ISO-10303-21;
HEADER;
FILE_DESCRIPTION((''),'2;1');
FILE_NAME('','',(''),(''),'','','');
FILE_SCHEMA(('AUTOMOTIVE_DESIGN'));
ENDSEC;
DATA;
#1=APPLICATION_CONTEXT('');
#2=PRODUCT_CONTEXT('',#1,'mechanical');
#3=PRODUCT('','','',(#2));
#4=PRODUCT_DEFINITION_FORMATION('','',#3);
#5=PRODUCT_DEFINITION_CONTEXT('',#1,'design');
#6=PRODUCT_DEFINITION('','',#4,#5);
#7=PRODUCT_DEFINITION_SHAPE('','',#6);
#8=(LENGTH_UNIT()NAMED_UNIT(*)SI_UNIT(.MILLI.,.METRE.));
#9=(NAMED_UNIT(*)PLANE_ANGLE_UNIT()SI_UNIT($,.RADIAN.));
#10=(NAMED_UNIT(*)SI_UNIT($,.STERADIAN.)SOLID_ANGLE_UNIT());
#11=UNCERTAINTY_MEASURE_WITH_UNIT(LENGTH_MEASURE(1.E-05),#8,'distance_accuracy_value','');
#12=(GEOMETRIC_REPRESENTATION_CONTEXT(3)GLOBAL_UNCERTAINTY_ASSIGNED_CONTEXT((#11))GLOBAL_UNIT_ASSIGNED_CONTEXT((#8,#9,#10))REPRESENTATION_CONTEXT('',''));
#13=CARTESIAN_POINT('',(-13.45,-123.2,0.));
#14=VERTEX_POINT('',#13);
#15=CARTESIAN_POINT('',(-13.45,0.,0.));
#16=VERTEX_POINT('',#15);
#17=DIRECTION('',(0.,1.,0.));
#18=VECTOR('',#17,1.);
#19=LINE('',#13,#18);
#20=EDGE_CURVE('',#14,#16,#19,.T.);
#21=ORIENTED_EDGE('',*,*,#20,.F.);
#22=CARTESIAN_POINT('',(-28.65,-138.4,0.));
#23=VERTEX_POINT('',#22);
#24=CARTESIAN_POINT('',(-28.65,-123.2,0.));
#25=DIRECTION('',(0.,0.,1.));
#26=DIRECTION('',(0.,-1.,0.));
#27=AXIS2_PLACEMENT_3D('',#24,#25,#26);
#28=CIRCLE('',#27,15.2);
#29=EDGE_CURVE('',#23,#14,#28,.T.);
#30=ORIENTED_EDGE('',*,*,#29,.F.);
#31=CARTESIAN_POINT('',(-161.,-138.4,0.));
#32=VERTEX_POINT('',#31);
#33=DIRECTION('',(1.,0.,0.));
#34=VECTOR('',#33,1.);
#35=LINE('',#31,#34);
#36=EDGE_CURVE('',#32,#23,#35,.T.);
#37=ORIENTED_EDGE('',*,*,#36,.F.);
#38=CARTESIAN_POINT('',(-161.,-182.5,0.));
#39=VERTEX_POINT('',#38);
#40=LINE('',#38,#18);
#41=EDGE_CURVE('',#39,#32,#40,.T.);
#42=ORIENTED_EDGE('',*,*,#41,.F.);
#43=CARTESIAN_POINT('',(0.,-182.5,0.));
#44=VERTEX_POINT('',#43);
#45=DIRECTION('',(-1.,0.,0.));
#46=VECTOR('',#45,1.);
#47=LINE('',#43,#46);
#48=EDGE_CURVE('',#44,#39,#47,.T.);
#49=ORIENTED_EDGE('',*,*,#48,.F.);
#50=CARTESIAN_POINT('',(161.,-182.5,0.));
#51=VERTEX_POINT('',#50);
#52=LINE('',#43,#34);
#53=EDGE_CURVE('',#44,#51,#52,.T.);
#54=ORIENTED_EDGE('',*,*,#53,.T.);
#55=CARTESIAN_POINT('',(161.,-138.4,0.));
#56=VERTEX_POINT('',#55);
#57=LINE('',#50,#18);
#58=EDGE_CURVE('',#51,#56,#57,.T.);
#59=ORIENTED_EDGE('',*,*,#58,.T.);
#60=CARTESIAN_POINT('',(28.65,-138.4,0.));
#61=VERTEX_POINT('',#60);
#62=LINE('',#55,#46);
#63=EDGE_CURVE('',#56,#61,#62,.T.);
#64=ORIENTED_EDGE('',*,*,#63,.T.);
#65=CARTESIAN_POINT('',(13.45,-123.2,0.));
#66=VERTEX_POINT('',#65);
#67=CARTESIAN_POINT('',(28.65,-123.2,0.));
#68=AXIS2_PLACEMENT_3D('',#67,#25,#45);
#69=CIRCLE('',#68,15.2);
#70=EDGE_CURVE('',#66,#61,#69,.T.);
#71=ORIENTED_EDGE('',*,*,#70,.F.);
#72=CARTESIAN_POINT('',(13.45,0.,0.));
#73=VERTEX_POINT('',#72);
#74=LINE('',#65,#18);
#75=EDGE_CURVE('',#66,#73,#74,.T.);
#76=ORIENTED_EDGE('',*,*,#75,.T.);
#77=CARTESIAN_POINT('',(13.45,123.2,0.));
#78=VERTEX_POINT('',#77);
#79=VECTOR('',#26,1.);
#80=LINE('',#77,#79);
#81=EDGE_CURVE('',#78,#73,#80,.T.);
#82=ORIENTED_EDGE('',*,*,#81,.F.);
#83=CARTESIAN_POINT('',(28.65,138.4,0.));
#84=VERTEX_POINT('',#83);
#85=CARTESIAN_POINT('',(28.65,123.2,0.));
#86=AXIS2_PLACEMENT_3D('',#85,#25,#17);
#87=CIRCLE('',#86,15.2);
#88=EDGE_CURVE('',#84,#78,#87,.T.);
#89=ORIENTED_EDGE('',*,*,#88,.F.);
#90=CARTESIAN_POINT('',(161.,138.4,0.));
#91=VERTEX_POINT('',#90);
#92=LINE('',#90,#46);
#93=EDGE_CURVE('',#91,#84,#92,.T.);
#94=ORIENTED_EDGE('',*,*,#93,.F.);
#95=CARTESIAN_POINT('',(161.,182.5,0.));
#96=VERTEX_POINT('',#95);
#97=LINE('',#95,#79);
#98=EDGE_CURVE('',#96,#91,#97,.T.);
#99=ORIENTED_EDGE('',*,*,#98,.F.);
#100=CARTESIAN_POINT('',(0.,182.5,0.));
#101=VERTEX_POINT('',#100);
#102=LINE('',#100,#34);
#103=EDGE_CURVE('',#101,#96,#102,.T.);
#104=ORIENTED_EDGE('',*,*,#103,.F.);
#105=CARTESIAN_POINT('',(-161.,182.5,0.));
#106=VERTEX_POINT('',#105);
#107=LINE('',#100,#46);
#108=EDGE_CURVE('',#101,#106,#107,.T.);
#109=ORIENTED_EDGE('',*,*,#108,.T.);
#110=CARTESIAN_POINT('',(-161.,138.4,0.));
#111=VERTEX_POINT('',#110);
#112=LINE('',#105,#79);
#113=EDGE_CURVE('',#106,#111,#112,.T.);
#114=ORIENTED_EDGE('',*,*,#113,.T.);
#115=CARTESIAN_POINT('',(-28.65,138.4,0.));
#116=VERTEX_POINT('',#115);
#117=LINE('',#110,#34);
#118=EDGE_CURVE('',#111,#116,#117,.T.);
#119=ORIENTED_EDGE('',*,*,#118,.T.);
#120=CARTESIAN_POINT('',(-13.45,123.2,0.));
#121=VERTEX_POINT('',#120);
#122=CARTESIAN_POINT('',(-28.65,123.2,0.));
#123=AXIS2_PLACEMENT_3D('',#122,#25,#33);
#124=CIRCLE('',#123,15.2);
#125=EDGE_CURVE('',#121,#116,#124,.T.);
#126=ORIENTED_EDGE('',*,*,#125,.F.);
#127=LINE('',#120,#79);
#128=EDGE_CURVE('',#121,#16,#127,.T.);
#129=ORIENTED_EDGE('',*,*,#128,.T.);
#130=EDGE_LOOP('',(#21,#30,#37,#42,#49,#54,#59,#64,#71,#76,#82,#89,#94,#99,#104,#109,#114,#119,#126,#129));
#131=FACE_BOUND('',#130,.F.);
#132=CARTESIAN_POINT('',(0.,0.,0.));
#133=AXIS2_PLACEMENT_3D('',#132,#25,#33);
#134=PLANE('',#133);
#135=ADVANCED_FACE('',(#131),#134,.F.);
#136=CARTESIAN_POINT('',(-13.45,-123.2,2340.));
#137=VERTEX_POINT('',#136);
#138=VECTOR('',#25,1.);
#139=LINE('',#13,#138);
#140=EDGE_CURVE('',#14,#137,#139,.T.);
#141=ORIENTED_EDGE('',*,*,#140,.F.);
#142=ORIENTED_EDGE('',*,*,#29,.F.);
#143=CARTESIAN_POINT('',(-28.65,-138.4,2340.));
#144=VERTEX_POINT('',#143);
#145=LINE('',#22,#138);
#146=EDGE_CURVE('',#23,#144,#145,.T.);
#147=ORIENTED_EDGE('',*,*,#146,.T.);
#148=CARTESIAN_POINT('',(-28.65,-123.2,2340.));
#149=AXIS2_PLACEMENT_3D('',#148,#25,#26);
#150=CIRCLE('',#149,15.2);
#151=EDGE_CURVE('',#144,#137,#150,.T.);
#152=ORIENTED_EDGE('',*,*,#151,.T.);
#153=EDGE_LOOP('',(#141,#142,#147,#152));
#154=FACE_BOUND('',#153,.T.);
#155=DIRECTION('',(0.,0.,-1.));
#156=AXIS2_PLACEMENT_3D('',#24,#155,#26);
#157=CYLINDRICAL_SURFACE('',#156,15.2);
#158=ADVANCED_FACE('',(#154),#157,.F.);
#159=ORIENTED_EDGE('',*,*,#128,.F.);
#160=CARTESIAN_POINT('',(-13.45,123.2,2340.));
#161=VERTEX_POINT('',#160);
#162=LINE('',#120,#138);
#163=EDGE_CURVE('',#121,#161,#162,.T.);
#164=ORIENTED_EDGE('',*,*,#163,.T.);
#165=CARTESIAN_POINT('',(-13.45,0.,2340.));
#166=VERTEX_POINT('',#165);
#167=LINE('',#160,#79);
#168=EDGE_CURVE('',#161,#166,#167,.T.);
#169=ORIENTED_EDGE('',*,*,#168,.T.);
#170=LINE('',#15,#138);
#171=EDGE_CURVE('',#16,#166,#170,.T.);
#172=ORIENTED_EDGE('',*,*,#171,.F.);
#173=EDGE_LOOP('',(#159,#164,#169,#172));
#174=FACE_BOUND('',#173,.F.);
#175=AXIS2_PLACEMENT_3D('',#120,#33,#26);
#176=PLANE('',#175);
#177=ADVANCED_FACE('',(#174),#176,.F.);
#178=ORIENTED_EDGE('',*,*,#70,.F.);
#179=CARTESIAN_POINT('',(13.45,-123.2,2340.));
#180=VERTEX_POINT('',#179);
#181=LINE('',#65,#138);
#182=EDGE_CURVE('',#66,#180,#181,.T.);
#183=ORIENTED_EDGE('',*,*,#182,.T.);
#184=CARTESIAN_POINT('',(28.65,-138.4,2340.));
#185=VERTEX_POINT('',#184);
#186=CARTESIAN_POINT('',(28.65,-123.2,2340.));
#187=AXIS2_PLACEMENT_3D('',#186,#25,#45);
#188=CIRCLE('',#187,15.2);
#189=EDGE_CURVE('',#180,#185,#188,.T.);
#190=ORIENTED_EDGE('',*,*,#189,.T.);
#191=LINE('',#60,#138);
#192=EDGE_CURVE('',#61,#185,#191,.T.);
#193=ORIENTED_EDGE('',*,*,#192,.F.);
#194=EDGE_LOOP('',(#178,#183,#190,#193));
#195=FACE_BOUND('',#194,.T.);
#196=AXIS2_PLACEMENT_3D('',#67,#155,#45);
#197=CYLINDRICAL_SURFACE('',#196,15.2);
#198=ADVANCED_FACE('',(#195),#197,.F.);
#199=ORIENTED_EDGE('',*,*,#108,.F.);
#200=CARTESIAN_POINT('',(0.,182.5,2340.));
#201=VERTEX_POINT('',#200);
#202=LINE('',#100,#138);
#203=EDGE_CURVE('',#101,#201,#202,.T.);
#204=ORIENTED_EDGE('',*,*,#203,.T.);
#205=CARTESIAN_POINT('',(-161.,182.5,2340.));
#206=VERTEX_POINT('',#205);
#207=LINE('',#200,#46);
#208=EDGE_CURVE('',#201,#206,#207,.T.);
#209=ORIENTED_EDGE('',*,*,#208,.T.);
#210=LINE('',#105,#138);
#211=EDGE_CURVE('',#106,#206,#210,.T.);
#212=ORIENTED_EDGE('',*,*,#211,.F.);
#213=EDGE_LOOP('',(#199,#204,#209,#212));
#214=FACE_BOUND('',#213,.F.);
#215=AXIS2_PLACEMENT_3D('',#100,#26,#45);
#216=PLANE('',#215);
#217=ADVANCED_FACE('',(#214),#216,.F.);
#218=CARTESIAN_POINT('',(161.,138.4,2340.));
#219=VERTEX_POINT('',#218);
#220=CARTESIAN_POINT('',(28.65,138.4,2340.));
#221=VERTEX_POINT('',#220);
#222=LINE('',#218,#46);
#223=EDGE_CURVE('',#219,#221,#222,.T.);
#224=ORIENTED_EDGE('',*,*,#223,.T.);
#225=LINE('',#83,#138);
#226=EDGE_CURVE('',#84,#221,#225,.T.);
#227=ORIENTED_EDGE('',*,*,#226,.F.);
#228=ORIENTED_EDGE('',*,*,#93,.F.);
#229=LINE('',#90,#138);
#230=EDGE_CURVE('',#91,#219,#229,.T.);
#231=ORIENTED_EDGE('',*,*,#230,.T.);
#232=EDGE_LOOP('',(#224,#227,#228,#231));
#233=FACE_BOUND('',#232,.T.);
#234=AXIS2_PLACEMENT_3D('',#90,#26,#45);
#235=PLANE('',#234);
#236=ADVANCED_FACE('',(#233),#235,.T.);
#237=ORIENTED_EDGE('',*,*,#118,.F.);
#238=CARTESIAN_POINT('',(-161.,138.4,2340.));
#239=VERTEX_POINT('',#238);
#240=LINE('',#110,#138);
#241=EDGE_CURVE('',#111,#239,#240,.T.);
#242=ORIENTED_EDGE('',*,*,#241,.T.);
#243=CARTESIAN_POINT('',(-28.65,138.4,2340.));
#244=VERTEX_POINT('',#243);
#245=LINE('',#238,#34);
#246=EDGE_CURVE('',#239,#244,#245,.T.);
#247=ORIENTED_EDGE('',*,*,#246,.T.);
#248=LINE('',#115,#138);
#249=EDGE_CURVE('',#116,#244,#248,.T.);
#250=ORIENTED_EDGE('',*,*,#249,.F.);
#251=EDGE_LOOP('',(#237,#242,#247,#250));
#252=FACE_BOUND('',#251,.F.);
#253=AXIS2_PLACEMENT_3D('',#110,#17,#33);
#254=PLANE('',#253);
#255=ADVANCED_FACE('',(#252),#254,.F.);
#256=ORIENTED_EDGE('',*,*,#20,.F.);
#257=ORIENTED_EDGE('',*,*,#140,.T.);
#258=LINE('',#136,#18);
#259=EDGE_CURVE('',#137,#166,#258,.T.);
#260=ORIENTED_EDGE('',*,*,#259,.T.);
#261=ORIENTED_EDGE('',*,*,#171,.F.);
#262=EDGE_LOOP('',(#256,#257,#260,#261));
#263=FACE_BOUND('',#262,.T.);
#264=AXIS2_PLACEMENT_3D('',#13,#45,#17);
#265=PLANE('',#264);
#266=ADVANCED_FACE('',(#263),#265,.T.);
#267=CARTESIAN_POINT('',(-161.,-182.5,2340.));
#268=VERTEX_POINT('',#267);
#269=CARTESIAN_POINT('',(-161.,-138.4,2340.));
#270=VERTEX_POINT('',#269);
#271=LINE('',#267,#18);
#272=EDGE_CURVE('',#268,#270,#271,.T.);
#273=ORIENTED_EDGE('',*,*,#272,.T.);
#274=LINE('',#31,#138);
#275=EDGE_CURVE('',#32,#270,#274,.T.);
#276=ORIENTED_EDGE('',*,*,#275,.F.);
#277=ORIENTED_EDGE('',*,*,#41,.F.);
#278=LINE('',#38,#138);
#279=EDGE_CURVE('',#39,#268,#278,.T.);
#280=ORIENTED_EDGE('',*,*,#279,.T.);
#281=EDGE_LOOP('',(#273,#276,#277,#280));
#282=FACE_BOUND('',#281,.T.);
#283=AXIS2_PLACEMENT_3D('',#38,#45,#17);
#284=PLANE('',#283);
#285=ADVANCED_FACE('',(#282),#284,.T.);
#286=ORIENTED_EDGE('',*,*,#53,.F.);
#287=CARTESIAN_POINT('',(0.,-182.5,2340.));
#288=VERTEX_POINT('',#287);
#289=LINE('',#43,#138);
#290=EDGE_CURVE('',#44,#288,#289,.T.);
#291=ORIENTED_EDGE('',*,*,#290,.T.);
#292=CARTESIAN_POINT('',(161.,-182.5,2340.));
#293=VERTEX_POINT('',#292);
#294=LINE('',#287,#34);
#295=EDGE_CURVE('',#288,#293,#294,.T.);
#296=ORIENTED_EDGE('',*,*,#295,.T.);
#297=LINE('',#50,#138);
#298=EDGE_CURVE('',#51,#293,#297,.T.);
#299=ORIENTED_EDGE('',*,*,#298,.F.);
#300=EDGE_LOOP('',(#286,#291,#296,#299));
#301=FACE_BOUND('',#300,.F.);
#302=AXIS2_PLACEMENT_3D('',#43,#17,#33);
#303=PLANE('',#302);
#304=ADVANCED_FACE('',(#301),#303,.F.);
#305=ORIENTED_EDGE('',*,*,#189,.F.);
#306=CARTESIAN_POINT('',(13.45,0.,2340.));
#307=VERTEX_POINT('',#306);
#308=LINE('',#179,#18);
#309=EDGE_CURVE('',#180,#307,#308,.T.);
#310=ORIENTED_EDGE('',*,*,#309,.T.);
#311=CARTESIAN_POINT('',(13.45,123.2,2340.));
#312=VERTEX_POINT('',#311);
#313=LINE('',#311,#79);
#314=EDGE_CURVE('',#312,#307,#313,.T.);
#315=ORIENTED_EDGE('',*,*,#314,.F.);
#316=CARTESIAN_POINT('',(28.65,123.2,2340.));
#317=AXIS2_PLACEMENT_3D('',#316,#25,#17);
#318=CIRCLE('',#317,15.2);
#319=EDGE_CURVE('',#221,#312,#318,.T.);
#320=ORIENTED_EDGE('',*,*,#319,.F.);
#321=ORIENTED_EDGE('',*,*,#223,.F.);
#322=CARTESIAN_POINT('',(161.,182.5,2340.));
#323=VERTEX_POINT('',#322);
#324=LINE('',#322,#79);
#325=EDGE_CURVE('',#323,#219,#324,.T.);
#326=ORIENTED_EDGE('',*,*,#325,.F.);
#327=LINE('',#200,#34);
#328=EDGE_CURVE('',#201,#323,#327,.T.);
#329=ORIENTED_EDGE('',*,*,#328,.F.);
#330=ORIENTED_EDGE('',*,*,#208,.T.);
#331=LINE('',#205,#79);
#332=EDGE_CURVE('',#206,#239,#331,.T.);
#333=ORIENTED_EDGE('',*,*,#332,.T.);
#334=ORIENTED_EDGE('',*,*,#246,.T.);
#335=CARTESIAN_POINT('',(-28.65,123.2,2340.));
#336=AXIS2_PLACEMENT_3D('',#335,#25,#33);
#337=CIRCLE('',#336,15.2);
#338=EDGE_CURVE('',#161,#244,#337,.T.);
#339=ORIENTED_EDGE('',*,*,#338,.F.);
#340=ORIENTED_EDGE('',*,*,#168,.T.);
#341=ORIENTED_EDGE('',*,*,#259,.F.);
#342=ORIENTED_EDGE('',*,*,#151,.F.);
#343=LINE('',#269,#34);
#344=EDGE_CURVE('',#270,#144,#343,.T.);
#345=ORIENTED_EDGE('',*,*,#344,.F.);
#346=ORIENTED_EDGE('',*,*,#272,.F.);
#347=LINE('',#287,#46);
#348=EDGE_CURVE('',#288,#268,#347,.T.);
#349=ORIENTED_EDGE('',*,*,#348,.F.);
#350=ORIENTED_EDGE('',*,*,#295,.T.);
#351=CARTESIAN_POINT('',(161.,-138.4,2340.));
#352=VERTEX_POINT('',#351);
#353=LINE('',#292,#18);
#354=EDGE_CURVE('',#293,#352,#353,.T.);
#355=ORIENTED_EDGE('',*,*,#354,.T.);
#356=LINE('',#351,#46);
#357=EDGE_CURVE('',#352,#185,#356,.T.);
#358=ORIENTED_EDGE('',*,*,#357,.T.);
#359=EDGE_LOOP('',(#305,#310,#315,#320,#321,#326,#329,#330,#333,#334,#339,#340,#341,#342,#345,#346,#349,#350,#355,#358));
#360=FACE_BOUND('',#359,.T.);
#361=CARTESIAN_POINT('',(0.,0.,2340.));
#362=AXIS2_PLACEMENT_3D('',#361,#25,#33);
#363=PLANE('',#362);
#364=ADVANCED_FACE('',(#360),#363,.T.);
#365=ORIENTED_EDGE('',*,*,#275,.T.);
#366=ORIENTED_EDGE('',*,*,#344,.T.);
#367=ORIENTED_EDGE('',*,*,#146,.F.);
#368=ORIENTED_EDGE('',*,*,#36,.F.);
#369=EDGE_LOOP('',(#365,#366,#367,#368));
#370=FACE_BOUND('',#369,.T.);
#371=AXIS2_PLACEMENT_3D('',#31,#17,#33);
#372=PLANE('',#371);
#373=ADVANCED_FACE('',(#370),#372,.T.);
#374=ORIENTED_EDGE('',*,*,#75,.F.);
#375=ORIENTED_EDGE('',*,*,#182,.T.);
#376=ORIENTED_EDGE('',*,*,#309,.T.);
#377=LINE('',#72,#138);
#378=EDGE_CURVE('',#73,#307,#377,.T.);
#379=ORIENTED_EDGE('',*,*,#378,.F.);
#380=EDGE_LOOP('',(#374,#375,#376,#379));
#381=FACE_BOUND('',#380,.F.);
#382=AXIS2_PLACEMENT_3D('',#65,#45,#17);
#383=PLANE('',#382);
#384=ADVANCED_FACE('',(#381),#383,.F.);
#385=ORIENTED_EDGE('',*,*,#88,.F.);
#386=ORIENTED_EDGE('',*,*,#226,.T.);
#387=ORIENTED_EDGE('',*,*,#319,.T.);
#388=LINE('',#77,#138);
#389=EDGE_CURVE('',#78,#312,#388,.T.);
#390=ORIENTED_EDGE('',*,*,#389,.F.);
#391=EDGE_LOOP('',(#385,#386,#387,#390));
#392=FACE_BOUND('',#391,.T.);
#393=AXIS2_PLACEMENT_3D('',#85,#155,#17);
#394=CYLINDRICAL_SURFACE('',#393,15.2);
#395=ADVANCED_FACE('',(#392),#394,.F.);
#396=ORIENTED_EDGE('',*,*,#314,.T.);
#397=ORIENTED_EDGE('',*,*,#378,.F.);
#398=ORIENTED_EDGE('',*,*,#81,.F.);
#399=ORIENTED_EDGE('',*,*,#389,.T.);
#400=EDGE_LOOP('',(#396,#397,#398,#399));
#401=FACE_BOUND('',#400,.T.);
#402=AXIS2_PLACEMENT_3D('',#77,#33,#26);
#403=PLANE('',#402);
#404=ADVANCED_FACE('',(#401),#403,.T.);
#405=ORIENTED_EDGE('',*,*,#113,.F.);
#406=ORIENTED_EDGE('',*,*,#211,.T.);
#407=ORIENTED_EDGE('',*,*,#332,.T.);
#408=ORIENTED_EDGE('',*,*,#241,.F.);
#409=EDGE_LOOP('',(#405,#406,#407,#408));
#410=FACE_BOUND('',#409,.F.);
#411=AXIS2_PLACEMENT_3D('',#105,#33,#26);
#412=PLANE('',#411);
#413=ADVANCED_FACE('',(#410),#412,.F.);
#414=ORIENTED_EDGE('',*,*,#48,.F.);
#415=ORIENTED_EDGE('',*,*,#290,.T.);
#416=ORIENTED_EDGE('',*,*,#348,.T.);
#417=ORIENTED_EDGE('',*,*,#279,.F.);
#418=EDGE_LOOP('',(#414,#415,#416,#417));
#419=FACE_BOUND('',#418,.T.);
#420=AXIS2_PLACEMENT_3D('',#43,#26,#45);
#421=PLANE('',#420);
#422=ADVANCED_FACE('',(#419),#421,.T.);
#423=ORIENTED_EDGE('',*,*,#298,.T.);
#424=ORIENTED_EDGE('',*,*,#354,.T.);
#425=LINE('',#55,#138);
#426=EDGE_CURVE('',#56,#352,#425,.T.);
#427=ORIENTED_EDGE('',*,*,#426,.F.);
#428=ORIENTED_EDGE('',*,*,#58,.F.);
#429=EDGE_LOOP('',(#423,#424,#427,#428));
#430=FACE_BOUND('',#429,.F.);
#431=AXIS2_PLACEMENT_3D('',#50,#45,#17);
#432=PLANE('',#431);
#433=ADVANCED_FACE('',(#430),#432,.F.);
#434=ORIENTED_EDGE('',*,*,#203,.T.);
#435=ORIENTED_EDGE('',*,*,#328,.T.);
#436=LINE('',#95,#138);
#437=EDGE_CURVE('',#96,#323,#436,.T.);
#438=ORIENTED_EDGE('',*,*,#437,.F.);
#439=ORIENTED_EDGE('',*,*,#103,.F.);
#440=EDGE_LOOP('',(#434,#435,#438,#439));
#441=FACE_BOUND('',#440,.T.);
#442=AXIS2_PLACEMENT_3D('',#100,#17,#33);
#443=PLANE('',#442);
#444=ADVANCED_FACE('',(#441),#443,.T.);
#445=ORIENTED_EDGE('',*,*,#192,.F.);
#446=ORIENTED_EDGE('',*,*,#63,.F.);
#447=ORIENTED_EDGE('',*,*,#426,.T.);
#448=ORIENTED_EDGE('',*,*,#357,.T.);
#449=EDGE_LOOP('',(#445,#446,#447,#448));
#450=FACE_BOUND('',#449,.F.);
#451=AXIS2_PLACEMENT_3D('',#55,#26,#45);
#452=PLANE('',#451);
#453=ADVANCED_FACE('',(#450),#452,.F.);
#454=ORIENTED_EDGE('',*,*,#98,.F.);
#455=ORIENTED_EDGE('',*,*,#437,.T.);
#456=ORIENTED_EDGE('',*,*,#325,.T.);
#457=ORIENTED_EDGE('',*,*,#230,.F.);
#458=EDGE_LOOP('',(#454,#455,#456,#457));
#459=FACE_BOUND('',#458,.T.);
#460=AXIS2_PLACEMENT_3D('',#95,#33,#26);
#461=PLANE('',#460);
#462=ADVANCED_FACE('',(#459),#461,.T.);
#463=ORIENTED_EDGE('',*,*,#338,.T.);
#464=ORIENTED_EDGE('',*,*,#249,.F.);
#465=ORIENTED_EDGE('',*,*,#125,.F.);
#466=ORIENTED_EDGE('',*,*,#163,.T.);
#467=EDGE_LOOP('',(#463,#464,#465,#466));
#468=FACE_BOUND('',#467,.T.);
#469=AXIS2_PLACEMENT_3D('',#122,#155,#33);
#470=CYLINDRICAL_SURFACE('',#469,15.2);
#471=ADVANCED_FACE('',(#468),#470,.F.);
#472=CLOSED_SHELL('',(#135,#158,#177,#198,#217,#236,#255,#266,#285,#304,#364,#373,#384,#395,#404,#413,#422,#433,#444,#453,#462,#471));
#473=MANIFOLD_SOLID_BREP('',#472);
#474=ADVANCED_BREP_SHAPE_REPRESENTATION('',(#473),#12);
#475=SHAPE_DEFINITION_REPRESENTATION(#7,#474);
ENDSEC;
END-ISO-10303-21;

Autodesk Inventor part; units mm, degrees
ref_plane "YZ Plane" through (0, 0, 0) normal (1, 0, 0) x (0, 1, 0)
ref_plane "Start plane" through (0, 0, 0) normal (0, 0, 1) x (1, 0, 0)
ref_plane "End plane" through (0, 0, 2340) normal (0, 0, 1) x (1, 0, 0)
sketch "Sketch" plane through (0, 0, 0) normal (0, 0, 1) x (1, 0, 0)
  line L0 (-161, -182.5) -> (-161, -138.4)
  line L1 (-161, -138.4) -> (-28.65, -138.4)
  line L2 (-13.45, -123.2) -> (-13.45, 0)
  line L3 (-13.45, 0) -> (0, 0) construction
  line L4 (0, 0) -> (0, -182.5) construction
  line L5 (0, -182.5) -> (-161, -182.5)
  line L6 (-60, 0) -> (80, 0) construction
  line L7 (0, -60) -> (0, 80) construction
  line L8 (161, -182.5) -> (161, -138.4)
  line L9 (161, -138.4) -> (28.65, -138.4)
  line L10 (13.45, -123.2) -> (13.45, 0)
  line L11 (13.45, 0) -> (0, 0) construction
  line L12 (0, -182.5) -> (161, -182.5)
  line L13 (-161, 182.5) -> (-161, 138.4)
  line L14 (-161, 138.4) -> (-28.65, 138.4)
  line L15 (-13.45, 123.2) -> (-13.45, 0)
  line L16 (0, 182.5) -> (-161, 182.5)
  line L17 (161, 182.5) -> (161, 138.4)
  line L18 (161, 138.4) -> (28.65, 138.4)
  line L19 (0, 182.5) -> (161, 182.5)
  line L20 (13.45, 123.2) -> (13.45, 0)
  arc A0 (-13.45, 123.2) -> (-28.65, 138.4) centre (-28.65, 123.2) ccw
  arc A1 (28.65, 138.4) -> (13.45, 123.2) centre (28.65, 123.2) ccw
  arc A2 (13.45, -123.2) -> (28.65, -138.4) centre (28.65, -123.2) ccw
  arc A3 (-28.65, -138.4) -> (-13.45, -123.2) centre (-28.65, -123.2) ccw
  line L21 (0, 108) -> (0, -88) construction
  line L22 (-88, 0) -> (108, 0) construction
  point P0 (-13.45, -138.4)
  point P1 (13.45, -138.4)
  point P2 (-13.45, 138.4)
  point P3 (13.45, 138.4)
  dimension "d1" = 182.5
  dimension "d2" = 44.1
  dimension "d3" = 161
  dimension "d4" = 13.45
  dimension "d10" = 15.2
extrude "Body" add sketch "Sketch" along normal up to surface (2340 mm away) from surface at 0
sketch "Sketch4" plane through (0, 0, 0) normal (0, 0, 1) x (1, 0, 0)
  line L0 (0, 0) -> (10, 0)
ref_plane "Work Plane3" through (0, 0, 0) normal (0, -1, 0) x (1, 0, 0)
sketch "Sketch5" plane through (0, 0, 0) normal (0, -1, 0) x (1, 0, 0)
  line L0 (-2, 0) -> (12, 0) projected
  line L1 (-2, 2340) -> (12, 2340) projected
  dimension "d14" = 2340
equation "\"d1\" = 0.5 * G_H"
equation "\"d2\" = G_T1"
equation "\"d3\" = 0.5 * G_W"
equation "\"d4\" = 0.5 * G_T"
equation "\"d10\" = G_IR"
equation "\"d5\" = G_L"
equation "\"G_W\" = 322"
equation "\"G_H\" = 365"
equation "\"G_T\" = 26.9"
equation "\"G_T1\" = 44.1"
equation "\"G_IR\" = 15.2"
equation "\"G_L\" = d14"
equation "\"G_OFFSET_START\" = 0"
equation "\"G_OFFSET_END\" = 0"
properties part number "AS 3679 - 310 UC - 283 - 2340" material "Steel, Mild"
